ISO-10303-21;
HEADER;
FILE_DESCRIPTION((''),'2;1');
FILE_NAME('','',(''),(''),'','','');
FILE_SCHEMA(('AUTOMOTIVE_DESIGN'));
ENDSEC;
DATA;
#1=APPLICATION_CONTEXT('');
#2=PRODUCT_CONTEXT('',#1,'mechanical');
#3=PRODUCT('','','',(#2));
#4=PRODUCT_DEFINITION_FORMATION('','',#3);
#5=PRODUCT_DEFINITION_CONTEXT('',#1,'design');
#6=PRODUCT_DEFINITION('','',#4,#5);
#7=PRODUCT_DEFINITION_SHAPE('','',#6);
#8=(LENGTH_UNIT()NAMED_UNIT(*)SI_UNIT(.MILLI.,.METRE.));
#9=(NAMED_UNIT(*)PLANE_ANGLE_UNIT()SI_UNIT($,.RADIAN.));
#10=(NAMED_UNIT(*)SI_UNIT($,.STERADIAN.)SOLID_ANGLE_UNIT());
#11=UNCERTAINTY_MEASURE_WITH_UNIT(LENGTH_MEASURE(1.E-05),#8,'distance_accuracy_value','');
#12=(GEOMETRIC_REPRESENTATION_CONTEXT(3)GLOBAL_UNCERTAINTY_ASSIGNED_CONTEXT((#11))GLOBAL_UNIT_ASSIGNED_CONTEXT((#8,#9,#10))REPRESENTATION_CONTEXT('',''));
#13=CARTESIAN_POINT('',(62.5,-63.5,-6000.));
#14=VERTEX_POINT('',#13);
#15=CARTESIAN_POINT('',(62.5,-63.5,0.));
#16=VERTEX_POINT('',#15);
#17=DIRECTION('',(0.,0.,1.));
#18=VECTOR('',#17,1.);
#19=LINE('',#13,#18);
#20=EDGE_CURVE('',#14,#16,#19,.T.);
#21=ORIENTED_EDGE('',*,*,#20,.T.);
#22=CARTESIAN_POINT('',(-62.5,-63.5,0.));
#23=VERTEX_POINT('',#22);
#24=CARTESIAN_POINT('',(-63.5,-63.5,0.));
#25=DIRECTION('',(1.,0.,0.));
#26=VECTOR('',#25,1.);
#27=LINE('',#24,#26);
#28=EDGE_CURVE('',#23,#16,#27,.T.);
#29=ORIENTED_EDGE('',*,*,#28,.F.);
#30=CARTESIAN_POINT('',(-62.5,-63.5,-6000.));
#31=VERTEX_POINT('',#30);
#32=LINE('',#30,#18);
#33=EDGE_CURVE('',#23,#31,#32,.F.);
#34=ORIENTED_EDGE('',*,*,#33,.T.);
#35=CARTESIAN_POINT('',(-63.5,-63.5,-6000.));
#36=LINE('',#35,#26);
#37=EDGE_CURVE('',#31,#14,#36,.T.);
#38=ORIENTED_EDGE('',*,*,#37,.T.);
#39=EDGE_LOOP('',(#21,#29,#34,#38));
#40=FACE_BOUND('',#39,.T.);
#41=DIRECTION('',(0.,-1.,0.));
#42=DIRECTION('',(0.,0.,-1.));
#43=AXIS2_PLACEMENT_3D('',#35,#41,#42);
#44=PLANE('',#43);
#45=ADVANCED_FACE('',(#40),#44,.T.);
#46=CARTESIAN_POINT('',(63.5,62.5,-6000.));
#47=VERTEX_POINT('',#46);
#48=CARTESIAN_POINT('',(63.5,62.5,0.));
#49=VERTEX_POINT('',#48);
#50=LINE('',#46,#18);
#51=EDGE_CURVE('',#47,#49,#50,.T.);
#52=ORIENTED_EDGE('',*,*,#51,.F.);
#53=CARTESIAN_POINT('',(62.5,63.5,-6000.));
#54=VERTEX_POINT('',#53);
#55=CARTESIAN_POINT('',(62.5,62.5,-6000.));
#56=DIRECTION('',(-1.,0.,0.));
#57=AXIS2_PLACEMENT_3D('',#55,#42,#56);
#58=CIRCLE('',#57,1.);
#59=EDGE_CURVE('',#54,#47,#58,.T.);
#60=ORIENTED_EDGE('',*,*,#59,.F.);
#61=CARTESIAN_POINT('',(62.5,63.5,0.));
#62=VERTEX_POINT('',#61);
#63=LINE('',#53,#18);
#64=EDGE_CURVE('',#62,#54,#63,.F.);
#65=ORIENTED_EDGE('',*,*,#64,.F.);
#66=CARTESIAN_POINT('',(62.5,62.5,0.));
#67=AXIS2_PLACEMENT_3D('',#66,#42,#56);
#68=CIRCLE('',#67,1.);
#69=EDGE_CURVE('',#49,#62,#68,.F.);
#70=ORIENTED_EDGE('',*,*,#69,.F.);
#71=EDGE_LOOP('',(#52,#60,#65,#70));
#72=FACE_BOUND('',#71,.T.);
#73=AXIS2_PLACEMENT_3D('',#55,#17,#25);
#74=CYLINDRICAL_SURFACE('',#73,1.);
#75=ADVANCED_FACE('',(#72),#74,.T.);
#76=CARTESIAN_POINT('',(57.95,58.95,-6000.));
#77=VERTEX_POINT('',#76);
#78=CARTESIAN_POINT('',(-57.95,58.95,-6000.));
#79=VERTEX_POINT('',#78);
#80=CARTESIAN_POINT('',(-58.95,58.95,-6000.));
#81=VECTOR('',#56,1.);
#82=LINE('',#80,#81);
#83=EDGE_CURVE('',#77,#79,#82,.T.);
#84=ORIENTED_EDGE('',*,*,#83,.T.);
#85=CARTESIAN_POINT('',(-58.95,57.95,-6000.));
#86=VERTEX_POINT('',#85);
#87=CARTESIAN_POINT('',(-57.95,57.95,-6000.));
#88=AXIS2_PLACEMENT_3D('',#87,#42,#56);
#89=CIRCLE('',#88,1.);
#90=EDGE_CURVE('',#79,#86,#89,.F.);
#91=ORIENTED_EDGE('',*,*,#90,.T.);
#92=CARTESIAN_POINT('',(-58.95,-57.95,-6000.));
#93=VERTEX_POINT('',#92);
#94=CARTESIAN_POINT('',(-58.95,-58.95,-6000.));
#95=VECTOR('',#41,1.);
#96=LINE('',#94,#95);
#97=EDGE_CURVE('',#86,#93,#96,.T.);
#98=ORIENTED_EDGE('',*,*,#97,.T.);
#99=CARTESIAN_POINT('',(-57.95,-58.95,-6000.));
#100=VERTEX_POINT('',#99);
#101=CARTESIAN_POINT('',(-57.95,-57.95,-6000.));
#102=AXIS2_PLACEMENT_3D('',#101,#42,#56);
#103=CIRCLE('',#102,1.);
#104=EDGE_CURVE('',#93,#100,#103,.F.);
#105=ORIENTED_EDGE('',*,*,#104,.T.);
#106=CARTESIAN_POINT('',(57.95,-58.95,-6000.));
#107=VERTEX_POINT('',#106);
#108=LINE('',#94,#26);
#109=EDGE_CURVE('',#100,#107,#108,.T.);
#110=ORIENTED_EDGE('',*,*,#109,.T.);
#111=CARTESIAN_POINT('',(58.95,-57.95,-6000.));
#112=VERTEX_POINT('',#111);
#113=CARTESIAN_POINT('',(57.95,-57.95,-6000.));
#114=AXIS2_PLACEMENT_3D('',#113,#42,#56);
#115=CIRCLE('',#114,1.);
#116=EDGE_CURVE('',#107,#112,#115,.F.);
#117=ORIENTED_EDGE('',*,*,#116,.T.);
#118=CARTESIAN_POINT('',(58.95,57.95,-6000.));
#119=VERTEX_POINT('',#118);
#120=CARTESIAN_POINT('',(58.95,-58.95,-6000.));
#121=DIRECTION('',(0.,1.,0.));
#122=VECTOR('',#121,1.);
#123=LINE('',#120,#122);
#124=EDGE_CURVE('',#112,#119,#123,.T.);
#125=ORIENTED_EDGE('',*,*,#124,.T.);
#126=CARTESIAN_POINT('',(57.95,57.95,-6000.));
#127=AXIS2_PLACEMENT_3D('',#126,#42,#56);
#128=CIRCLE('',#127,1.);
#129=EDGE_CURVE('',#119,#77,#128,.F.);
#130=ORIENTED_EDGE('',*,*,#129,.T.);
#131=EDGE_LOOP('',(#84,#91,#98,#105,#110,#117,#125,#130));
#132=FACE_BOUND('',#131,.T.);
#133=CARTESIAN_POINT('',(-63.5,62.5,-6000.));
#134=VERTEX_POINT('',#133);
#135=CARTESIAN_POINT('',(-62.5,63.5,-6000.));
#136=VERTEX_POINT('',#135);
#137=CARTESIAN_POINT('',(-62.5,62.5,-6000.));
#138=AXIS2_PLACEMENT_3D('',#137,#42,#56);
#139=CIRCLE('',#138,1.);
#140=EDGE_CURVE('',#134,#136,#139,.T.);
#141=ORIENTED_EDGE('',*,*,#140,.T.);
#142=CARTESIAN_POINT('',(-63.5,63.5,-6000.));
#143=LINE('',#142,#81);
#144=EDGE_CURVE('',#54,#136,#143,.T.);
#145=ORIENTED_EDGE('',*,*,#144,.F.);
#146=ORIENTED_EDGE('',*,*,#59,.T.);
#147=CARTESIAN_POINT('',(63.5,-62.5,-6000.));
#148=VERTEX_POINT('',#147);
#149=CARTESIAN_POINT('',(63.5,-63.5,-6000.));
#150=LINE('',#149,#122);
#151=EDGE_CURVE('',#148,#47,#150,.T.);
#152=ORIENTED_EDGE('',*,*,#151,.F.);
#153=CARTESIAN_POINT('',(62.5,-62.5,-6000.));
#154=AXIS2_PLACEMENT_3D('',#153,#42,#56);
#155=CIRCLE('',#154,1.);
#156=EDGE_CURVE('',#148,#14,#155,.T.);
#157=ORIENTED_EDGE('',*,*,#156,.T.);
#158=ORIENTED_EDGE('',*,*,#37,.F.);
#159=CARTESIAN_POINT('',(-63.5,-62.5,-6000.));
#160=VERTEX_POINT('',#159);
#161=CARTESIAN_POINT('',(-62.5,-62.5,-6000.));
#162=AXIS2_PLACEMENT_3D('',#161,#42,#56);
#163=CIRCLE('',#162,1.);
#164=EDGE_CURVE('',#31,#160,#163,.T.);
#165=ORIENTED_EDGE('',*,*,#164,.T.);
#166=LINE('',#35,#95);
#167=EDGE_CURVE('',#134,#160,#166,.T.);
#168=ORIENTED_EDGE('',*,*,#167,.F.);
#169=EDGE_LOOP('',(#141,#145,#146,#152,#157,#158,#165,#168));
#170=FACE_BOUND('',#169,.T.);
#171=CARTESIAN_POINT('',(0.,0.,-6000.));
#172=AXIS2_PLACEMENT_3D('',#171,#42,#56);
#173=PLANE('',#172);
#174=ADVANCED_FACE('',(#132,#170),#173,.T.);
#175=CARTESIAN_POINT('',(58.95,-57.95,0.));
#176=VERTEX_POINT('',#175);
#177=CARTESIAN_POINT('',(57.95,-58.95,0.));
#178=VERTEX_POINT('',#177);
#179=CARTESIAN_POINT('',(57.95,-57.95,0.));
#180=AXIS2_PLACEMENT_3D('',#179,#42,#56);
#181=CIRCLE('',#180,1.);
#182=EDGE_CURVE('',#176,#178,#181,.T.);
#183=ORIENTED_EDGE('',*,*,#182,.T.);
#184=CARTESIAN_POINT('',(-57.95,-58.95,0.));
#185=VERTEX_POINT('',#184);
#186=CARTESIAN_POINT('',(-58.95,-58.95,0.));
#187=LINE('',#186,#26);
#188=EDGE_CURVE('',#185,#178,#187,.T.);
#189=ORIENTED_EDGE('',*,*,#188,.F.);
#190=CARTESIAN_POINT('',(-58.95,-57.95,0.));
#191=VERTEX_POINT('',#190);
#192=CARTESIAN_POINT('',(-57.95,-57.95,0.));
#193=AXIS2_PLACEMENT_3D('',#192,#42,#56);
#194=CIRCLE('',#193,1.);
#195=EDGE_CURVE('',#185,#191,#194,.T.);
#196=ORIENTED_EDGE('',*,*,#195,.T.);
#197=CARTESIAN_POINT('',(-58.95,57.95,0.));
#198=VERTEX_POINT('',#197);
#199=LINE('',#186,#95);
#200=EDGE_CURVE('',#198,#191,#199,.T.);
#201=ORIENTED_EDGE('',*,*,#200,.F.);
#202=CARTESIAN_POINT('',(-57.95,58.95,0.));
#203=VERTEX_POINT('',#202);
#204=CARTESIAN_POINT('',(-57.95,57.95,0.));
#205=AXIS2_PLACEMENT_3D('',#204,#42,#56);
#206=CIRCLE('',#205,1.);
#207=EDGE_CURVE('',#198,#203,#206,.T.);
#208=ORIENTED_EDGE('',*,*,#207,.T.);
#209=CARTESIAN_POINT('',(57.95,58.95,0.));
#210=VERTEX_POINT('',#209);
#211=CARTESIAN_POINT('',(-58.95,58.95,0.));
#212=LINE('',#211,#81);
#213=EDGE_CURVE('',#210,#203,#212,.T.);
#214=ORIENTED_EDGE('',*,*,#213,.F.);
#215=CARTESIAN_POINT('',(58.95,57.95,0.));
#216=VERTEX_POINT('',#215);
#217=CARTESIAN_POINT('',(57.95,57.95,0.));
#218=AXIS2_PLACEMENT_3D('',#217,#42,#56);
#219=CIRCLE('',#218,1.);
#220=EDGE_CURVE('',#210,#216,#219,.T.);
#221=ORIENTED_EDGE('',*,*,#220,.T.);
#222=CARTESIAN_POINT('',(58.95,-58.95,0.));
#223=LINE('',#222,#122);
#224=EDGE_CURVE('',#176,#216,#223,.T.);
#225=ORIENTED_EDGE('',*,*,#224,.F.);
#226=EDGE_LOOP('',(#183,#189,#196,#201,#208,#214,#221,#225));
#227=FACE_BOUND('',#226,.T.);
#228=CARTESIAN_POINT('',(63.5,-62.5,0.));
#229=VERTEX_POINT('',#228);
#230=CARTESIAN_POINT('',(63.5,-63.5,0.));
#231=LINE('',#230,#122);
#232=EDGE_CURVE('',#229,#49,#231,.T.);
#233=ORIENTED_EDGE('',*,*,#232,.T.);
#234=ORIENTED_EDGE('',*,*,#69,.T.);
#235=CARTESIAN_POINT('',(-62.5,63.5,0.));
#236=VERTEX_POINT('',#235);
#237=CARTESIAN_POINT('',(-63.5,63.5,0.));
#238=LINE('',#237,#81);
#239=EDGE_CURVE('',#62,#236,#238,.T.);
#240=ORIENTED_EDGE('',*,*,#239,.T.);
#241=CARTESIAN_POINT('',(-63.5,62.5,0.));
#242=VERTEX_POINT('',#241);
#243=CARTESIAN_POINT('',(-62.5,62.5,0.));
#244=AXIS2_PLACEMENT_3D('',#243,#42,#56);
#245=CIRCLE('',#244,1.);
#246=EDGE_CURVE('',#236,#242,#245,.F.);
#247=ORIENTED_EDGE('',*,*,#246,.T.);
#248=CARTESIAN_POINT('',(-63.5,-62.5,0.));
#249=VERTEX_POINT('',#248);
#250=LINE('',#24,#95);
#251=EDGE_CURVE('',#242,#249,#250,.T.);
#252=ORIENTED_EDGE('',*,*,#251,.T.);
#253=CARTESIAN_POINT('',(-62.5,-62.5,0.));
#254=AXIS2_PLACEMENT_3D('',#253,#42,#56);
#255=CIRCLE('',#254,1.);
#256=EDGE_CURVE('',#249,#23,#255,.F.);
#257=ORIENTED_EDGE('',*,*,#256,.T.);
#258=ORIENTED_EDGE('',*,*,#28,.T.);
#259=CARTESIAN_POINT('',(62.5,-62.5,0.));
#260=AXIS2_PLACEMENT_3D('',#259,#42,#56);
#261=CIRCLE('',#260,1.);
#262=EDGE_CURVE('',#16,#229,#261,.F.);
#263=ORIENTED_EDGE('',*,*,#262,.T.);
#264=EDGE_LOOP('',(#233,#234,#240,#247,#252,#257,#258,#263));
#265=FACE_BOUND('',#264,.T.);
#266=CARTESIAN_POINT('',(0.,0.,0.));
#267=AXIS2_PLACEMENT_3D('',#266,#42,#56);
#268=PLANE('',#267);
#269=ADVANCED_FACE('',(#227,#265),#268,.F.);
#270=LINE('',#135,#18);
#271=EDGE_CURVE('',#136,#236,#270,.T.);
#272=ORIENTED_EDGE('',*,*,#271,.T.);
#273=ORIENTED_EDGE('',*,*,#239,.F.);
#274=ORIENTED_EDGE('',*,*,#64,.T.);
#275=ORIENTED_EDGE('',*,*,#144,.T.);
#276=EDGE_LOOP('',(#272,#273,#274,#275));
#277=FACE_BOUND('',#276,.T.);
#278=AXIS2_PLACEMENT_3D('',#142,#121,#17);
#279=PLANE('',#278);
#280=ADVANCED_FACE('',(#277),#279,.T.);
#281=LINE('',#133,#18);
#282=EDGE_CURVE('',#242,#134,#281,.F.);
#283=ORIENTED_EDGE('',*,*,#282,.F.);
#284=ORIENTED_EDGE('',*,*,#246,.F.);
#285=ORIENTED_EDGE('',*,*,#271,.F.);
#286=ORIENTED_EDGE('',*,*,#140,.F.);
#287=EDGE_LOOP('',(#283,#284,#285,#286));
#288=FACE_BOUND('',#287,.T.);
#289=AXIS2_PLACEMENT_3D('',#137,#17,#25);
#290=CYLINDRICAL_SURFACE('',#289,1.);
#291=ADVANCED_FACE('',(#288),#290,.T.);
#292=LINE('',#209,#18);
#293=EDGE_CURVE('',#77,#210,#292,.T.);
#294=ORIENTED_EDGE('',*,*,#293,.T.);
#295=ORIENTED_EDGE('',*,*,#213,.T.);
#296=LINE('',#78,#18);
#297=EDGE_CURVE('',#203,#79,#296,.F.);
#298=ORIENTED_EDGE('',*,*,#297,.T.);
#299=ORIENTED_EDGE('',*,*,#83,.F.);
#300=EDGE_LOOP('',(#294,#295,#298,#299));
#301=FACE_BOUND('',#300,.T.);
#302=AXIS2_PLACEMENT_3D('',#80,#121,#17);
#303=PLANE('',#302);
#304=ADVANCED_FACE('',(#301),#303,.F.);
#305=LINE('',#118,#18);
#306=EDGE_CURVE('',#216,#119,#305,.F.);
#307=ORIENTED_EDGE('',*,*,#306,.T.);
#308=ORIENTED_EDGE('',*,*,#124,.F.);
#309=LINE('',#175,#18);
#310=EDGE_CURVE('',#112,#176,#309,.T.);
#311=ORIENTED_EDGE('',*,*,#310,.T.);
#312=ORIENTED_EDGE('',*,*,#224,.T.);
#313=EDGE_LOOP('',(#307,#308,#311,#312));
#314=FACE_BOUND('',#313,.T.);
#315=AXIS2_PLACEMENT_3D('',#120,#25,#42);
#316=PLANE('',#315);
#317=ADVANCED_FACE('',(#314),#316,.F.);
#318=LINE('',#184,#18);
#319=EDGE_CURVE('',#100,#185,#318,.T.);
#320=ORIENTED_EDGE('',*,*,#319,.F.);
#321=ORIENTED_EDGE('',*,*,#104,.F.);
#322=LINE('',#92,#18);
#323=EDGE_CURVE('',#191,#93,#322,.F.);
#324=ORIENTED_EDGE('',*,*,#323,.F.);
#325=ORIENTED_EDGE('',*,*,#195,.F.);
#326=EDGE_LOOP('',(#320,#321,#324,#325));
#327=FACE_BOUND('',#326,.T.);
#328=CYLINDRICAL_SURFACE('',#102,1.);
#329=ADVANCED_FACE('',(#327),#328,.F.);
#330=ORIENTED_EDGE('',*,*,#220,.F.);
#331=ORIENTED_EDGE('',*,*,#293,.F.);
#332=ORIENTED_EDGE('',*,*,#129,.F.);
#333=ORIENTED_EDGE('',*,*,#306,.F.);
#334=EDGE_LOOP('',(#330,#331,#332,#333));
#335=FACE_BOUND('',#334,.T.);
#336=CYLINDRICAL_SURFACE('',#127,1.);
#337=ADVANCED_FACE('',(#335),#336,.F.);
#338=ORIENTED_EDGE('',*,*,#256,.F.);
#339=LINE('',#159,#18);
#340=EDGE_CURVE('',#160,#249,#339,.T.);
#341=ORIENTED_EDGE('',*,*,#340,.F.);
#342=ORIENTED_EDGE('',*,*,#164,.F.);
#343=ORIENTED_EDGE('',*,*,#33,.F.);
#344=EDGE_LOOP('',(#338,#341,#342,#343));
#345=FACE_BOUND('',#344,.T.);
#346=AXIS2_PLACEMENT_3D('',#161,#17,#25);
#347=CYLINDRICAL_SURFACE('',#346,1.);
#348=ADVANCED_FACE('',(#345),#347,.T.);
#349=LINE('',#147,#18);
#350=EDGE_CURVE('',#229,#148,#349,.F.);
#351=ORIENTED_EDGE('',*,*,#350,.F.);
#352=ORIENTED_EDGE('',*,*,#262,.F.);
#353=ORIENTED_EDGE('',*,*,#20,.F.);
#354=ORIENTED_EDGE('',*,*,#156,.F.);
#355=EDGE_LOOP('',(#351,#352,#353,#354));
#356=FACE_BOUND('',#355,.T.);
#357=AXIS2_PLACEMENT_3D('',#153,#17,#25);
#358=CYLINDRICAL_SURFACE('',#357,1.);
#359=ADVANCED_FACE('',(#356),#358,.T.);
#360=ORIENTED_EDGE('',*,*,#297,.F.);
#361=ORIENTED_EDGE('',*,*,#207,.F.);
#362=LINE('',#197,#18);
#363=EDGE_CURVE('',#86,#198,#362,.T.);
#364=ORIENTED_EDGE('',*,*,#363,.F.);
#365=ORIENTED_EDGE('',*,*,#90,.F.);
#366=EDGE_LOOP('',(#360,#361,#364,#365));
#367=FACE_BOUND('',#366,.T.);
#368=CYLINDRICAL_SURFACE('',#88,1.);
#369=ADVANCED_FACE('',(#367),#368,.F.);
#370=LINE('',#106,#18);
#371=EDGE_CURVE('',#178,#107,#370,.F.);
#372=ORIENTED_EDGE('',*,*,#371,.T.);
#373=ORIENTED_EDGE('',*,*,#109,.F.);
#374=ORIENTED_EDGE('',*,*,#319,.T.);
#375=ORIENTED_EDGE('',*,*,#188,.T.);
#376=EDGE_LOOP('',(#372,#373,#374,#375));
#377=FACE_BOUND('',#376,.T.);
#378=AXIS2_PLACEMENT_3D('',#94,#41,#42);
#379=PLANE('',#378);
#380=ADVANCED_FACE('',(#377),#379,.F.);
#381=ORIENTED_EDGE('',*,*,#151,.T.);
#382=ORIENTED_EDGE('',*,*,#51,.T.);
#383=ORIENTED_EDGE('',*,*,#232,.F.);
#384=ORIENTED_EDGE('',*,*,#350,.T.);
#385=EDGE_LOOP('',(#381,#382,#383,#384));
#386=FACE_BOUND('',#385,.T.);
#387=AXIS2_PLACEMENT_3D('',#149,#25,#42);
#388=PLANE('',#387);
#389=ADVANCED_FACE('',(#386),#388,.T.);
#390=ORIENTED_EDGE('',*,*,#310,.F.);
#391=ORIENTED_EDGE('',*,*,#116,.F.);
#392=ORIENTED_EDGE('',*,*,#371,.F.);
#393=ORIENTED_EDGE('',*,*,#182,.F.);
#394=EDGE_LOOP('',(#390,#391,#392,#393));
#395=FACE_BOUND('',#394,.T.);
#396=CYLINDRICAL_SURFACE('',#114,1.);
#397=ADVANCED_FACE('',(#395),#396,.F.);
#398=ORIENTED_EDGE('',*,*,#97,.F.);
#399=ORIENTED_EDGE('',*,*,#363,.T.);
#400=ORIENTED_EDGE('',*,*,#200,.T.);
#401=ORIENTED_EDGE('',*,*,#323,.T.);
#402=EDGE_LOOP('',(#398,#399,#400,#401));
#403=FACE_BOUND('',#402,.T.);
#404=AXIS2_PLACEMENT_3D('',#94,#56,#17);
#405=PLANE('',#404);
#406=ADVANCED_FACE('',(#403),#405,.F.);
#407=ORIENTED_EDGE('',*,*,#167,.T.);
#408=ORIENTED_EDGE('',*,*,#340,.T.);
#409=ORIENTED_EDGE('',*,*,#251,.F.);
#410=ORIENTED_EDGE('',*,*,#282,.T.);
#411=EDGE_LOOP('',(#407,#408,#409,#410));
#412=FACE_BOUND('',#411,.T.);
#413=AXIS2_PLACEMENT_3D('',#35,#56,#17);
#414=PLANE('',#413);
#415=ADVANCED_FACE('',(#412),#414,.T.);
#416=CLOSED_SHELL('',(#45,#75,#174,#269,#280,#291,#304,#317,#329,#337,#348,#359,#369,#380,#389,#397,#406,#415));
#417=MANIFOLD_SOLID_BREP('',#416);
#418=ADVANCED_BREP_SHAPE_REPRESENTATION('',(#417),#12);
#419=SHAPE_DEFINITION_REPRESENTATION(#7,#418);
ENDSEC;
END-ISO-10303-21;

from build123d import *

# Parameters (mm, degrees)
CROQUIS1_W              = 127
CROQUIS1_H              = 127
CROQUIS1_W_2            = 117.9
CROQUIS1_H_2            = 117.9
SALIENTE_EXTRUIR1_DEPTH = 6000
REDONDEO1_R             = 1


with BuildPart() as part:
    # Croquis1 → Saliente-Extruir1 (new body)
    with BuildSketch(Plane.XY):
        Rectangle(CROQUIS1_W, CROQUIS1_H)
        Rectangle(CROQUIS1_W_2, CROQUIS1_H_2, mode=Mode.SUBTRACT)
    extrude(amount=-SALIENTE_EXTRUIR1_DEPTH)

    # Redondeo1
    redondeo1_edges = [part.edges().sort_by_distance(p)[0] for p in [
        (58.95, -58.95, -3000),
        (-58.95, -58.95, -3000),
        (-58.95, 58.95, -3000),
        (58.95, 58.95, -3000),
        (63.5, -63.5, -3000),
        (-63.5, -63.5, -3000),
        (-63.5, 63.5, -3000),
        (63.5, 63.5, -3000),
    ]]
    fillet(redondeo1_edges, radius=REDONDEO1_R)


solid = part.part
